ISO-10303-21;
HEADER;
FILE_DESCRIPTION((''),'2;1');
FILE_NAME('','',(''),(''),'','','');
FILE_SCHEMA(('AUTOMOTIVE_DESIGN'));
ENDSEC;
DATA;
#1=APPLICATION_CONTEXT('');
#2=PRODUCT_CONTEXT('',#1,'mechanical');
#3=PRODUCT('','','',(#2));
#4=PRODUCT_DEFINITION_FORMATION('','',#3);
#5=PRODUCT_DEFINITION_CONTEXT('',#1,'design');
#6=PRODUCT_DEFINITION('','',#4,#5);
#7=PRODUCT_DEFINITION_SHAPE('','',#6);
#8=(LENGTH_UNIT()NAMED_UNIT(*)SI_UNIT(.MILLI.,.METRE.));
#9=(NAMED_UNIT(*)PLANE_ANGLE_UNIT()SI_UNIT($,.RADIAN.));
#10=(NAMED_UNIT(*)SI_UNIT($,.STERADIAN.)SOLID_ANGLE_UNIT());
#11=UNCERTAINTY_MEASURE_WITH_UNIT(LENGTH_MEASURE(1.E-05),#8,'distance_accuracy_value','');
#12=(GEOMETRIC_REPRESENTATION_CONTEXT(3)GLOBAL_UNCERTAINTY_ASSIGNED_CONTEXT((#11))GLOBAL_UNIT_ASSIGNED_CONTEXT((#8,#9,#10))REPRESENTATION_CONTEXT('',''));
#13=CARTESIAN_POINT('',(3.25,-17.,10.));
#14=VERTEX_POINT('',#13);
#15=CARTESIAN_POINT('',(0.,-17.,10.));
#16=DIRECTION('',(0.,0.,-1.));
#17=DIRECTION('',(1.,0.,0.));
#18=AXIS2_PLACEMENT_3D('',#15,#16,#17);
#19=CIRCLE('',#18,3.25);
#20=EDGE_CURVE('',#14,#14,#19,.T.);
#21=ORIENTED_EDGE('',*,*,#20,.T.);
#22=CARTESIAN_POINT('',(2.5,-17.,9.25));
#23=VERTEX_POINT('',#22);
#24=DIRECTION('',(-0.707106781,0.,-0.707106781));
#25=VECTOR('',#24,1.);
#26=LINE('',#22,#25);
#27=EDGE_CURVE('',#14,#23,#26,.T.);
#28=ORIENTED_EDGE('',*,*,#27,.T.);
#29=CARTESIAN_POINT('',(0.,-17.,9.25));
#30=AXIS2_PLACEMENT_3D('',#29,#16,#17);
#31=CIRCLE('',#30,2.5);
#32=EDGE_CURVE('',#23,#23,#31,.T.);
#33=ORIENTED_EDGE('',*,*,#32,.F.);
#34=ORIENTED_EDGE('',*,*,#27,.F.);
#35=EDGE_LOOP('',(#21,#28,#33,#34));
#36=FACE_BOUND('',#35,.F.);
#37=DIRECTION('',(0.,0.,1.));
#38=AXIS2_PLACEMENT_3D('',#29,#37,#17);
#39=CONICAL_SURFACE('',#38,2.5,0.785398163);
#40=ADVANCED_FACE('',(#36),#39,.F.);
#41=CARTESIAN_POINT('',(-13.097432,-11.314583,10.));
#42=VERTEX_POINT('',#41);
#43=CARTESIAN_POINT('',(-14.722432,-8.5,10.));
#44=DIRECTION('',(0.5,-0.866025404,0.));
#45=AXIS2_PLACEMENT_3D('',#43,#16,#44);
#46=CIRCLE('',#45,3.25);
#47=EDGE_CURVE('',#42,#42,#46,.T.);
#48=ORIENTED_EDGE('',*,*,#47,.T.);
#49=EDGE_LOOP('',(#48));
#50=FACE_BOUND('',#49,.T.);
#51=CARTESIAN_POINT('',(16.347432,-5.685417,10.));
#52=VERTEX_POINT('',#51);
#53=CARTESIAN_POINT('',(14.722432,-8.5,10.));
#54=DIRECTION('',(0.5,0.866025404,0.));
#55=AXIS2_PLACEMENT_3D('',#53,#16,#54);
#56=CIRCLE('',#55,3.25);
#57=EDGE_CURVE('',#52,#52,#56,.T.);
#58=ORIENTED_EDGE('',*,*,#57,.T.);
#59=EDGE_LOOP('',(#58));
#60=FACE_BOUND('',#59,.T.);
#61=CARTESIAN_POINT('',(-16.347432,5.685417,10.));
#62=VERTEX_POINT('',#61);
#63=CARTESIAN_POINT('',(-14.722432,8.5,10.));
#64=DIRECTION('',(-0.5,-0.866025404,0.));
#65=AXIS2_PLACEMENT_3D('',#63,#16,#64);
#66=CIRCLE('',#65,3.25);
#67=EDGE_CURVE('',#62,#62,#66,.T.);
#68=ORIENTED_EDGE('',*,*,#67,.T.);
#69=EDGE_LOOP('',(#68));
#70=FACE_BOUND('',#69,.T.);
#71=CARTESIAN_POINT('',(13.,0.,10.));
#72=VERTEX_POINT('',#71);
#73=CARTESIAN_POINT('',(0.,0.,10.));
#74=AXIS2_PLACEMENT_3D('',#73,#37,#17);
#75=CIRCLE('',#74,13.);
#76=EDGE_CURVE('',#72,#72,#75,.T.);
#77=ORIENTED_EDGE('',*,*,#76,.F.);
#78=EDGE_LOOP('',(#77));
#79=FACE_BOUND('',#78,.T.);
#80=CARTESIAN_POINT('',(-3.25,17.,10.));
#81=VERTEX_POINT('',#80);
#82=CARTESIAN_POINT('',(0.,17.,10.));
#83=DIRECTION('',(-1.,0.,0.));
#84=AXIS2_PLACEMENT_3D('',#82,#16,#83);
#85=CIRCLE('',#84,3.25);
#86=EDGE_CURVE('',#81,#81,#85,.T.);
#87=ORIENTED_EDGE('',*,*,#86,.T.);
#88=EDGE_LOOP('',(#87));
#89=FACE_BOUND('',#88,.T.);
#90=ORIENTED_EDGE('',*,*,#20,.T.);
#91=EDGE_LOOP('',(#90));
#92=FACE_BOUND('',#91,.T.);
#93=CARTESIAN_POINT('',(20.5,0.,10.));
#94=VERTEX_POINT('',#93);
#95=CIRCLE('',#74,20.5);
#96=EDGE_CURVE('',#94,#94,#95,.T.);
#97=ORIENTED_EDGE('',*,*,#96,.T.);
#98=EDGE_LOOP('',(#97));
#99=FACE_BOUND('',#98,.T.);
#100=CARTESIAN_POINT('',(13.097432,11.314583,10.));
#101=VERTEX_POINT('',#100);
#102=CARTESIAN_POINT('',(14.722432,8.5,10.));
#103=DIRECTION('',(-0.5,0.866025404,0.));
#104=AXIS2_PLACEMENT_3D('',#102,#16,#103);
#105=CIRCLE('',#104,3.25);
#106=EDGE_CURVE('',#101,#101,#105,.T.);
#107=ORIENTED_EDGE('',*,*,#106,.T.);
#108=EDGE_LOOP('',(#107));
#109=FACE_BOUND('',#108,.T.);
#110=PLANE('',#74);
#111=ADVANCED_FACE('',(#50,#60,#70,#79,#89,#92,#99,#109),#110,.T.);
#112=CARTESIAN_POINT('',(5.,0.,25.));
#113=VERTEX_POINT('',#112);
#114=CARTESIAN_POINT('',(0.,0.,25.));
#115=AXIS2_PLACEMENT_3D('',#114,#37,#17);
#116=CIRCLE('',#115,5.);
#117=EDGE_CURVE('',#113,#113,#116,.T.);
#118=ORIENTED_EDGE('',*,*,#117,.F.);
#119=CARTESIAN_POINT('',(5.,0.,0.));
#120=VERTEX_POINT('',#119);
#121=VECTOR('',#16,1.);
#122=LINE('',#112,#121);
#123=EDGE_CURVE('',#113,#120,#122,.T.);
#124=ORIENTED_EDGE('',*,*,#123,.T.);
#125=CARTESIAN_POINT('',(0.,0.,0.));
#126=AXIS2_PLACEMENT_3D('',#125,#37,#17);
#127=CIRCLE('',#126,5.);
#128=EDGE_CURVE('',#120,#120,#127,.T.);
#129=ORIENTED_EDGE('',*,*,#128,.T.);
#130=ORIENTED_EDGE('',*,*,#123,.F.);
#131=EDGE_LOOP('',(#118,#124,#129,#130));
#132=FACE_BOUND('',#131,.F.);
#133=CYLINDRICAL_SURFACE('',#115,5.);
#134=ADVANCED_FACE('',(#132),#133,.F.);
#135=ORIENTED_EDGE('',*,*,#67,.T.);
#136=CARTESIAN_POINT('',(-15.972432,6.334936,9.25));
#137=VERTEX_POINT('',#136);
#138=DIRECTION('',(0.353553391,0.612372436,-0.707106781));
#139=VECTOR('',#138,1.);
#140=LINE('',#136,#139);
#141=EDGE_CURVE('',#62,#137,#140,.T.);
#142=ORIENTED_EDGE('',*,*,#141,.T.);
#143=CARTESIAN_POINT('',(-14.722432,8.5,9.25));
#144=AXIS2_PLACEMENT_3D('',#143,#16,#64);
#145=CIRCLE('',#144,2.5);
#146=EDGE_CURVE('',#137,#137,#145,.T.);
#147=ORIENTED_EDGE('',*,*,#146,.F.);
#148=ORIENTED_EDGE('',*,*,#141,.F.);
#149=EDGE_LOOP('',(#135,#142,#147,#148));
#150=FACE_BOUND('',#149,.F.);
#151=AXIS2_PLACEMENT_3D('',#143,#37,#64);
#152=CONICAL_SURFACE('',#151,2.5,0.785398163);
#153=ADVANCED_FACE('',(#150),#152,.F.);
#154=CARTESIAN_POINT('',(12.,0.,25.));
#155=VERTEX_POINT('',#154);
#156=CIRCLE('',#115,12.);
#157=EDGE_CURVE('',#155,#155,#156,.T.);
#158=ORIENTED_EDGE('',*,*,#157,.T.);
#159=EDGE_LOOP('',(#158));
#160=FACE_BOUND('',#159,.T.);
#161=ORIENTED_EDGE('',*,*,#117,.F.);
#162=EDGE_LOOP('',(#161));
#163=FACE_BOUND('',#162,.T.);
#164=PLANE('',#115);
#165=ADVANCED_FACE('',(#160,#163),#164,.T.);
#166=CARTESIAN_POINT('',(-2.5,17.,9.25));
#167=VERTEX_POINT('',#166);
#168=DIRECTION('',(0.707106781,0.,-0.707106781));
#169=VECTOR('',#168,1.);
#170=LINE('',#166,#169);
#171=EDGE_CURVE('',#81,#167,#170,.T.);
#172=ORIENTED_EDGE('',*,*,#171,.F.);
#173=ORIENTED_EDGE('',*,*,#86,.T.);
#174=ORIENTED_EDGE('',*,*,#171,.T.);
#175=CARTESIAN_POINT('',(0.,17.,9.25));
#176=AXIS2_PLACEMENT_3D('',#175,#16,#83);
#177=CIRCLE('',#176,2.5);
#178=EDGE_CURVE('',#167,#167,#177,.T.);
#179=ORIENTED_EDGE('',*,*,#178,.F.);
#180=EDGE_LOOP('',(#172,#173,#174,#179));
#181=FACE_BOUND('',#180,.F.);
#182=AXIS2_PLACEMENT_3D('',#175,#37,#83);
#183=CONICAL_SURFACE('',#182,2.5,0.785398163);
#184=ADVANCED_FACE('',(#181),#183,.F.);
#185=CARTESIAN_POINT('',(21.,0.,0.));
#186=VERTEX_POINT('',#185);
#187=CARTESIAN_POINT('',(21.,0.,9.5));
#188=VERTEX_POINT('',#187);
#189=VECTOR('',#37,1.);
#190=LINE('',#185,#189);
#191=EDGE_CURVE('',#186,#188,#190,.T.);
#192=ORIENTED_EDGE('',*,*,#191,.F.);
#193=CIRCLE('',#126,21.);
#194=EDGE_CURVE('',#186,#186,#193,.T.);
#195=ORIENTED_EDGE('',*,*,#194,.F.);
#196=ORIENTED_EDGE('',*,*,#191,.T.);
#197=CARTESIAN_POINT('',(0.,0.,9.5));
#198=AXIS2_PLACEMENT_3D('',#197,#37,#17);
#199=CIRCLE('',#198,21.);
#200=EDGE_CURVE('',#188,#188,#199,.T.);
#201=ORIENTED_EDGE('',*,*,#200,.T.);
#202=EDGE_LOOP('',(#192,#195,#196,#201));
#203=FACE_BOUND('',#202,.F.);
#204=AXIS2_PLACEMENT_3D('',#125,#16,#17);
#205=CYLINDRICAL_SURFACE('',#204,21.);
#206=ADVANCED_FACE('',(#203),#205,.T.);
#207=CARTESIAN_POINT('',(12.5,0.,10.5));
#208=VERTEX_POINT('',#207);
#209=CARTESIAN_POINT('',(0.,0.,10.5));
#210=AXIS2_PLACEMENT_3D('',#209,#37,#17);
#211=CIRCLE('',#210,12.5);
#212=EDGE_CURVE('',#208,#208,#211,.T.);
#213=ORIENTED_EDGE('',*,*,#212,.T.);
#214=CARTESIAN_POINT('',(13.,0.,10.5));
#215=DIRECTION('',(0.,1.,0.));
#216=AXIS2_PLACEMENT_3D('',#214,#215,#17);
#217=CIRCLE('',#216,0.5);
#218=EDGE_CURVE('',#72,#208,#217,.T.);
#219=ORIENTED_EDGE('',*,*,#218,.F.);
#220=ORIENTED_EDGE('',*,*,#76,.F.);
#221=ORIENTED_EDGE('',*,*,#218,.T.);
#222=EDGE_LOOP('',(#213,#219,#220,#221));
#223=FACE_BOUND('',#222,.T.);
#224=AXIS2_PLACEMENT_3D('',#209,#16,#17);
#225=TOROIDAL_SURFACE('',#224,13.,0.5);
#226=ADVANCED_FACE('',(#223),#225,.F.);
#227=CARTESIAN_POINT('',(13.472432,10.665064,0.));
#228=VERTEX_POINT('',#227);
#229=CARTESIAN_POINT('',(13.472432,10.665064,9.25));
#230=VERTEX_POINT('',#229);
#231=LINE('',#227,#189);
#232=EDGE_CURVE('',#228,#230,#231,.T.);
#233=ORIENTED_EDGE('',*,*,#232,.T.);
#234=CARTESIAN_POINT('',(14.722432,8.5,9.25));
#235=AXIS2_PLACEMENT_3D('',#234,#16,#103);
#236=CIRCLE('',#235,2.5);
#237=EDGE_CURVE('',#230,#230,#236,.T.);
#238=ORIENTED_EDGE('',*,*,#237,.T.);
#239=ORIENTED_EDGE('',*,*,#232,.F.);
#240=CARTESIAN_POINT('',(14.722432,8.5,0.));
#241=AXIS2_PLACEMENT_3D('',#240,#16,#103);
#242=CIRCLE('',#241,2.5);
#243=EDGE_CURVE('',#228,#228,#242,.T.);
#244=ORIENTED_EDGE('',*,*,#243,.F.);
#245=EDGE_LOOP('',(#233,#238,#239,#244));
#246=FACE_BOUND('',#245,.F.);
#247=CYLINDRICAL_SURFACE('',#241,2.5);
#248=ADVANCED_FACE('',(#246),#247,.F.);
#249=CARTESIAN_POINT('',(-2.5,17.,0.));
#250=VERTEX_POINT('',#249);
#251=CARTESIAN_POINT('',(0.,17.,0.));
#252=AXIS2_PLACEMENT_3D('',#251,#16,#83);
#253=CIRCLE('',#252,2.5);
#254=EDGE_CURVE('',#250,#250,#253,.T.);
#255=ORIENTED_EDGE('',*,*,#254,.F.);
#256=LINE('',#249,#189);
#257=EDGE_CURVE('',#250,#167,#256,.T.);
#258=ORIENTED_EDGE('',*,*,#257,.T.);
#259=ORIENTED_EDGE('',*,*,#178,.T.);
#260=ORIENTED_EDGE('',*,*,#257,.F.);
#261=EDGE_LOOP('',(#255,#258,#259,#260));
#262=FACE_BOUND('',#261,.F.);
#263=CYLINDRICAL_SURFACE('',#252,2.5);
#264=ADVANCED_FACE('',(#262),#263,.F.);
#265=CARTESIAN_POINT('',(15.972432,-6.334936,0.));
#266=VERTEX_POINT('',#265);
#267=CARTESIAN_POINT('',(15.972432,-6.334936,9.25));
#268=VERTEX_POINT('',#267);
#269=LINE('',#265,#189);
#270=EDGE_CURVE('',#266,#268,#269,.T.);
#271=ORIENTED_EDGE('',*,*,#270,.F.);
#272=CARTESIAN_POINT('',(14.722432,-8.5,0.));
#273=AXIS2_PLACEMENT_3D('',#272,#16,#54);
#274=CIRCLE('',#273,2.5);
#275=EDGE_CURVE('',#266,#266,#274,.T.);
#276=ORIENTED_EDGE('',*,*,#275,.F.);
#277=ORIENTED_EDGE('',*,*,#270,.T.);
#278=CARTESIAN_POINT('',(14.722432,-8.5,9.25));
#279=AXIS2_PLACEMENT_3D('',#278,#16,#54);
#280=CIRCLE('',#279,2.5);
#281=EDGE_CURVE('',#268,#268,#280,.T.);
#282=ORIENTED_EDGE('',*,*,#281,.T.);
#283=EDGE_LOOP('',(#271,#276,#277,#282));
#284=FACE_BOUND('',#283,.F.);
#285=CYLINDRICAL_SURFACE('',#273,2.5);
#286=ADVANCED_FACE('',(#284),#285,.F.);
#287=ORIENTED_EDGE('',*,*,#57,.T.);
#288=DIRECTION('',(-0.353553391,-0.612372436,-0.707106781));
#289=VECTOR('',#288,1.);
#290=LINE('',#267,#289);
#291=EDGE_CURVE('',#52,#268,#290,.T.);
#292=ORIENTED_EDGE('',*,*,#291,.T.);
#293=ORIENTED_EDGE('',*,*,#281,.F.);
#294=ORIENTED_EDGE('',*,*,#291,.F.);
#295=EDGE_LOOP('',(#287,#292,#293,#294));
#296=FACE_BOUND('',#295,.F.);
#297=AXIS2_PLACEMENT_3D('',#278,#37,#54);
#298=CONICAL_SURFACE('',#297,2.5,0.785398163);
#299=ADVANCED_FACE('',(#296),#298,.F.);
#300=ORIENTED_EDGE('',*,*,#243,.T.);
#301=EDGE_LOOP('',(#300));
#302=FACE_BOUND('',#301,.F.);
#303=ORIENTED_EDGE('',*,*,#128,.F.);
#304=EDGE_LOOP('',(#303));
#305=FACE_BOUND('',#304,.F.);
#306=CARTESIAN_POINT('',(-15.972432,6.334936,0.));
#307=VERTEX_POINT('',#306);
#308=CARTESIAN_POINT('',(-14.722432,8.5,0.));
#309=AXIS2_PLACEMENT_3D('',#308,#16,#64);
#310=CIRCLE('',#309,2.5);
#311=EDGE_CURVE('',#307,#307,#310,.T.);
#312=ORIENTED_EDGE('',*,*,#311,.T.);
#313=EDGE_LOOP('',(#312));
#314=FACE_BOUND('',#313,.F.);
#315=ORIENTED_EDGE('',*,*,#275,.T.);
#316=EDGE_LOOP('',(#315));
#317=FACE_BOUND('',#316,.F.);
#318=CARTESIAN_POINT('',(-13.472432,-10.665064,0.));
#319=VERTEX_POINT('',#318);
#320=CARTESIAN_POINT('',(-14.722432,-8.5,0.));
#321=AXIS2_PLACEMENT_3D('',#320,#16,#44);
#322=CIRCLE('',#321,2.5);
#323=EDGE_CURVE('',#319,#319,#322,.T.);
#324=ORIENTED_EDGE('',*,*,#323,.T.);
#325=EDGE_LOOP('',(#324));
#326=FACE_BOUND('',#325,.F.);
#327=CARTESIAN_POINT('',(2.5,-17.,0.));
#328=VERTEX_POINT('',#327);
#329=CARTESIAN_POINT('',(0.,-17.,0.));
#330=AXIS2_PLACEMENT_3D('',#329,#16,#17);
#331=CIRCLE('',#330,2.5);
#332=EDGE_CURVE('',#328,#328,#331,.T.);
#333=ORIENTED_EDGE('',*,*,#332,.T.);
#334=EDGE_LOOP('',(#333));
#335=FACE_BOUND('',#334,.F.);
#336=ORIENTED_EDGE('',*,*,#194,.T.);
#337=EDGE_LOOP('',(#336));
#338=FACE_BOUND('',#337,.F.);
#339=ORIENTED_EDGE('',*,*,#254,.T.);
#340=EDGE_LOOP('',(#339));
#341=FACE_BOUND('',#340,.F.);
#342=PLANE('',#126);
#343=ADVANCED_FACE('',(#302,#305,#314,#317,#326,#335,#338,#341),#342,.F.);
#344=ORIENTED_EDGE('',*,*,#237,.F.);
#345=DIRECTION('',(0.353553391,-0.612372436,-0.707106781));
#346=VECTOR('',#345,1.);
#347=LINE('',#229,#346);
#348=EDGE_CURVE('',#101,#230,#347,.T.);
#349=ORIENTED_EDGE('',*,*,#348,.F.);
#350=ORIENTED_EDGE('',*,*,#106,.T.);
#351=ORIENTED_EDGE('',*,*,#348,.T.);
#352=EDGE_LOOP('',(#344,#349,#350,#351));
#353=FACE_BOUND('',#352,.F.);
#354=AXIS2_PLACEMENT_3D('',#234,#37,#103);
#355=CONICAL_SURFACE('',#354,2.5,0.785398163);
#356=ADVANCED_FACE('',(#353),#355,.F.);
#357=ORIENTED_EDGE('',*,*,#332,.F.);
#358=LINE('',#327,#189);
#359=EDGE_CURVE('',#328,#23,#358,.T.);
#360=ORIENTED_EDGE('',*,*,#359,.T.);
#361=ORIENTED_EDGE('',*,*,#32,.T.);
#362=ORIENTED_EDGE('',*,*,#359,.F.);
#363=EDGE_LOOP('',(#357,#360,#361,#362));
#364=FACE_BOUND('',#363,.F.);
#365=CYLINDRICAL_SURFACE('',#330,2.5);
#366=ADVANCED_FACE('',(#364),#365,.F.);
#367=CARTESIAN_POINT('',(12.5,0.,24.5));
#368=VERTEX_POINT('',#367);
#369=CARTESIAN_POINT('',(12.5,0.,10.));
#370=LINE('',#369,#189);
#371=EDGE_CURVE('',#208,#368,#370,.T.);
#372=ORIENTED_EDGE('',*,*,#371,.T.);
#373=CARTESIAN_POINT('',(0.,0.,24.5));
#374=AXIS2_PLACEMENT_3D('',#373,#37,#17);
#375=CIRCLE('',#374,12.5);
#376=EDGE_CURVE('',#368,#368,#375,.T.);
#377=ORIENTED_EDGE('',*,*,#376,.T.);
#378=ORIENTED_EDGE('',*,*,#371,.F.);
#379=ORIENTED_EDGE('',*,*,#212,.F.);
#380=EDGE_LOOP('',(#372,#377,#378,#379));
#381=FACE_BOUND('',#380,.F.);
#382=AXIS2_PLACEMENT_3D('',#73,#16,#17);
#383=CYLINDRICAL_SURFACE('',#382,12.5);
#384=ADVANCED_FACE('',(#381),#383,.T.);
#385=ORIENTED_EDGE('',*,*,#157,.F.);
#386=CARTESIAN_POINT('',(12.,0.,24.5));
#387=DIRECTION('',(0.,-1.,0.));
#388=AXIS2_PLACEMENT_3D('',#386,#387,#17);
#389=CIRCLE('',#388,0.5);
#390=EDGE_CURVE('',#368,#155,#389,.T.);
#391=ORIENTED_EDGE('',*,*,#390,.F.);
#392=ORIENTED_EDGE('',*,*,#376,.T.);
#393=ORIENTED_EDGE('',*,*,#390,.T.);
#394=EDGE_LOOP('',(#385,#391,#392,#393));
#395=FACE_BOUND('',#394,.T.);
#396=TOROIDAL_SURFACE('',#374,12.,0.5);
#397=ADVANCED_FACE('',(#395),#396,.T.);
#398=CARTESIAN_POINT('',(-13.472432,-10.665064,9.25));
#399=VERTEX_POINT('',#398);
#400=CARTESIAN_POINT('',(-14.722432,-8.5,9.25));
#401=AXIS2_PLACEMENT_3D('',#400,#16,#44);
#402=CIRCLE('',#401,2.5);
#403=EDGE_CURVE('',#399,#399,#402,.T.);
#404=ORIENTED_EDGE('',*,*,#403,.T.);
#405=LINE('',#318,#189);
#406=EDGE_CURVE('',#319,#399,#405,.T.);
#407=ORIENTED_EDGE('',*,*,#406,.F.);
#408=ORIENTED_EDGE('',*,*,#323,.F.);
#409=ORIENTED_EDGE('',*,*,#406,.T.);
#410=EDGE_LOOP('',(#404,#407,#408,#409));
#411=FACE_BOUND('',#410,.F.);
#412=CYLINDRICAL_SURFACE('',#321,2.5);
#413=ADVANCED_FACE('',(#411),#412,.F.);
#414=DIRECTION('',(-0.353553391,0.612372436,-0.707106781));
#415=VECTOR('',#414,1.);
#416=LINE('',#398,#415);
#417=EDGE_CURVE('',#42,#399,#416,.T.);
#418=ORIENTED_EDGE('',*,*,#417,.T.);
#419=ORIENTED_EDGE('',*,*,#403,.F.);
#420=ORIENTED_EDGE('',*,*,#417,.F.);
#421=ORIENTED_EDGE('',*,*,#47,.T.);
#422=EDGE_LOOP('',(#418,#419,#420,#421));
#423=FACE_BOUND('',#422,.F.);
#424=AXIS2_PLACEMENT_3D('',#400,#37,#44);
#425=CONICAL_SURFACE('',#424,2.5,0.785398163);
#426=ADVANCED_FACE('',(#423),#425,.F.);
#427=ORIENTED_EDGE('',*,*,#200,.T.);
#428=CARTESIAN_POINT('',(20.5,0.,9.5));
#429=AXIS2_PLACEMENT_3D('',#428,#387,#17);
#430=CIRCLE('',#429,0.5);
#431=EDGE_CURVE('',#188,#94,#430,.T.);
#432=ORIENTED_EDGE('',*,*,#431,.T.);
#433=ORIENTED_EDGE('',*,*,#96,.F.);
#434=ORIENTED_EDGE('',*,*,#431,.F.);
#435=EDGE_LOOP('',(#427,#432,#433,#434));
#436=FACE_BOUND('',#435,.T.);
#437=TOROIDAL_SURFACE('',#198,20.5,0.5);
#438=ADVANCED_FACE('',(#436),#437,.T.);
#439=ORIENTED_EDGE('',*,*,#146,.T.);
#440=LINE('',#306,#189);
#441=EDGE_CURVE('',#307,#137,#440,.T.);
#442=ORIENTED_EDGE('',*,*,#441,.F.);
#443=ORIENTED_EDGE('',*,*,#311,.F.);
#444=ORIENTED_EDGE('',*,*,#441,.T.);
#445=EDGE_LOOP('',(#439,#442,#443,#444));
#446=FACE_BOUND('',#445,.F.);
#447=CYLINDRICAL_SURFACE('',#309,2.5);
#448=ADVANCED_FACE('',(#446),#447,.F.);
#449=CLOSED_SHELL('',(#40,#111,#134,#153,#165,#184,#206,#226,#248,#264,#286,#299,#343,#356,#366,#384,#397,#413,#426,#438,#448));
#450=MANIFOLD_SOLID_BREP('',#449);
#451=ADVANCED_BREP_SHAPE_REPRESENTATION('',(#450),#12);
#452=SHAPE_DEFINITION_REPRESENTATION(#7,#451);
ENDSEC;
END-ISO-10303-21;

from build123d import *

# Parameters (mm, degrees)
SKETCH1_R                    = 21
BOSS_EXTRUDE1_DEPTH          = 10
SKETCH2_R                    = 12.5
BOSS_EXTRUDE2_DEPTH          = 15
SKETCH3_R                    = 5
CUT_EXTRUDE1_DEPTH           = 39.820097888
SKETCH4_R                    = 2.5
CUT_EXTRUDE2_DEPTH           = 39.820097888
FILLET1_R                    = 0.5
CHAMFER2_SIZE                = 0.75
CIRPATTERN2_COUNT            = 6
CHAMFER2_OF_CIRPATTERN2_SIZE = 0.75


with BuildPart() as part:
    # Sketch1 → Boss-Extrude1 (new body)
    with BuildSketch(Plane.XY):
        Circle(SKETCH1_R)
    extrude(amount=BOSS_EXTRUDE1_DEPTH)

    # Sketch2 → Boss-Extrude2 (add)
    with BuildSketch(Plane.XY.offset(10)):
        Circle(SKETCH2_R)
    extrude(amount=BOSS_EXTRUDE2_DEPTH)

    # Sketch3 → Cut-Extrude1 (cut, through all)
    with BuildSketch(Plane.XY.offset(25)):
        Circle(SKETCH3_R)
    extrude(amount=-CUT_EXTRUDE1_DEPTH, mode=Mode.SUBTRACT)

    # Sketch4 → Cut-Extrude2 (cut, through all)
    with BuildSketch(Plane(origin=(0, 0, 0), x_dir=(-1, 0, 0), z_dir=(0, 0, -1))):
        with Locations((0, 17)):
            Circle(SKETCH4_R)
    cut_extrude2 = extrude(amount=-CUT_EXTRUDE2_DEPTH, mode=Mode.SUBTRACT)

    # Fillet1
    fillet1_edges = [part.edges().sort_by_distance(p)[0] for p in [
        (-21, 0, 10),
        (-12.5, 0, 10),
        (-12.5, 0, 25),
    ]]
    fillet(fillet1_edges, radius=FILLET1_R)

    # Chamfer2
    chamfer2_edges = [part.edges().sort_by_distance(p)[0] for p in [
        (2.5, 17, 10),
    ]]
    chamfer(chamfer2_edges, length=CHAMFER2_SIZE)

    # CirPattern2: Cut-Extrude2 ×6 about axis
    cirpattern2_axis = Axis((0, 0, 0), (0, 0, 1))
    for i in range(1, CIRPATTERN2_COUNT):
        add(cut_extrude2.rotate(cirpattern2_axis, i * 360 / CIRPATTERN2_COUNT), mode=Mode.SUBTRACT)

    # Chamfer2 of CirPattern2
    chamfer2_of_cirpattern2_edges = [part.edges().sort_by_distance(p)[0] for p in [
        (-13.472431864, 10.665063509, 10),
        (-15.972431864, -6.334936491, 10),
        (-2.5, -17, 10),
        (13.472431864, -10.665063509, 10),
        (15.972431864, 6.334936491, 10),
    ]]
    chamfer(chamfer2_of_cirpattern2_edges, length=CHAMFER2_OF_CIRPATTERN2_SIZE)


solid = part.part
